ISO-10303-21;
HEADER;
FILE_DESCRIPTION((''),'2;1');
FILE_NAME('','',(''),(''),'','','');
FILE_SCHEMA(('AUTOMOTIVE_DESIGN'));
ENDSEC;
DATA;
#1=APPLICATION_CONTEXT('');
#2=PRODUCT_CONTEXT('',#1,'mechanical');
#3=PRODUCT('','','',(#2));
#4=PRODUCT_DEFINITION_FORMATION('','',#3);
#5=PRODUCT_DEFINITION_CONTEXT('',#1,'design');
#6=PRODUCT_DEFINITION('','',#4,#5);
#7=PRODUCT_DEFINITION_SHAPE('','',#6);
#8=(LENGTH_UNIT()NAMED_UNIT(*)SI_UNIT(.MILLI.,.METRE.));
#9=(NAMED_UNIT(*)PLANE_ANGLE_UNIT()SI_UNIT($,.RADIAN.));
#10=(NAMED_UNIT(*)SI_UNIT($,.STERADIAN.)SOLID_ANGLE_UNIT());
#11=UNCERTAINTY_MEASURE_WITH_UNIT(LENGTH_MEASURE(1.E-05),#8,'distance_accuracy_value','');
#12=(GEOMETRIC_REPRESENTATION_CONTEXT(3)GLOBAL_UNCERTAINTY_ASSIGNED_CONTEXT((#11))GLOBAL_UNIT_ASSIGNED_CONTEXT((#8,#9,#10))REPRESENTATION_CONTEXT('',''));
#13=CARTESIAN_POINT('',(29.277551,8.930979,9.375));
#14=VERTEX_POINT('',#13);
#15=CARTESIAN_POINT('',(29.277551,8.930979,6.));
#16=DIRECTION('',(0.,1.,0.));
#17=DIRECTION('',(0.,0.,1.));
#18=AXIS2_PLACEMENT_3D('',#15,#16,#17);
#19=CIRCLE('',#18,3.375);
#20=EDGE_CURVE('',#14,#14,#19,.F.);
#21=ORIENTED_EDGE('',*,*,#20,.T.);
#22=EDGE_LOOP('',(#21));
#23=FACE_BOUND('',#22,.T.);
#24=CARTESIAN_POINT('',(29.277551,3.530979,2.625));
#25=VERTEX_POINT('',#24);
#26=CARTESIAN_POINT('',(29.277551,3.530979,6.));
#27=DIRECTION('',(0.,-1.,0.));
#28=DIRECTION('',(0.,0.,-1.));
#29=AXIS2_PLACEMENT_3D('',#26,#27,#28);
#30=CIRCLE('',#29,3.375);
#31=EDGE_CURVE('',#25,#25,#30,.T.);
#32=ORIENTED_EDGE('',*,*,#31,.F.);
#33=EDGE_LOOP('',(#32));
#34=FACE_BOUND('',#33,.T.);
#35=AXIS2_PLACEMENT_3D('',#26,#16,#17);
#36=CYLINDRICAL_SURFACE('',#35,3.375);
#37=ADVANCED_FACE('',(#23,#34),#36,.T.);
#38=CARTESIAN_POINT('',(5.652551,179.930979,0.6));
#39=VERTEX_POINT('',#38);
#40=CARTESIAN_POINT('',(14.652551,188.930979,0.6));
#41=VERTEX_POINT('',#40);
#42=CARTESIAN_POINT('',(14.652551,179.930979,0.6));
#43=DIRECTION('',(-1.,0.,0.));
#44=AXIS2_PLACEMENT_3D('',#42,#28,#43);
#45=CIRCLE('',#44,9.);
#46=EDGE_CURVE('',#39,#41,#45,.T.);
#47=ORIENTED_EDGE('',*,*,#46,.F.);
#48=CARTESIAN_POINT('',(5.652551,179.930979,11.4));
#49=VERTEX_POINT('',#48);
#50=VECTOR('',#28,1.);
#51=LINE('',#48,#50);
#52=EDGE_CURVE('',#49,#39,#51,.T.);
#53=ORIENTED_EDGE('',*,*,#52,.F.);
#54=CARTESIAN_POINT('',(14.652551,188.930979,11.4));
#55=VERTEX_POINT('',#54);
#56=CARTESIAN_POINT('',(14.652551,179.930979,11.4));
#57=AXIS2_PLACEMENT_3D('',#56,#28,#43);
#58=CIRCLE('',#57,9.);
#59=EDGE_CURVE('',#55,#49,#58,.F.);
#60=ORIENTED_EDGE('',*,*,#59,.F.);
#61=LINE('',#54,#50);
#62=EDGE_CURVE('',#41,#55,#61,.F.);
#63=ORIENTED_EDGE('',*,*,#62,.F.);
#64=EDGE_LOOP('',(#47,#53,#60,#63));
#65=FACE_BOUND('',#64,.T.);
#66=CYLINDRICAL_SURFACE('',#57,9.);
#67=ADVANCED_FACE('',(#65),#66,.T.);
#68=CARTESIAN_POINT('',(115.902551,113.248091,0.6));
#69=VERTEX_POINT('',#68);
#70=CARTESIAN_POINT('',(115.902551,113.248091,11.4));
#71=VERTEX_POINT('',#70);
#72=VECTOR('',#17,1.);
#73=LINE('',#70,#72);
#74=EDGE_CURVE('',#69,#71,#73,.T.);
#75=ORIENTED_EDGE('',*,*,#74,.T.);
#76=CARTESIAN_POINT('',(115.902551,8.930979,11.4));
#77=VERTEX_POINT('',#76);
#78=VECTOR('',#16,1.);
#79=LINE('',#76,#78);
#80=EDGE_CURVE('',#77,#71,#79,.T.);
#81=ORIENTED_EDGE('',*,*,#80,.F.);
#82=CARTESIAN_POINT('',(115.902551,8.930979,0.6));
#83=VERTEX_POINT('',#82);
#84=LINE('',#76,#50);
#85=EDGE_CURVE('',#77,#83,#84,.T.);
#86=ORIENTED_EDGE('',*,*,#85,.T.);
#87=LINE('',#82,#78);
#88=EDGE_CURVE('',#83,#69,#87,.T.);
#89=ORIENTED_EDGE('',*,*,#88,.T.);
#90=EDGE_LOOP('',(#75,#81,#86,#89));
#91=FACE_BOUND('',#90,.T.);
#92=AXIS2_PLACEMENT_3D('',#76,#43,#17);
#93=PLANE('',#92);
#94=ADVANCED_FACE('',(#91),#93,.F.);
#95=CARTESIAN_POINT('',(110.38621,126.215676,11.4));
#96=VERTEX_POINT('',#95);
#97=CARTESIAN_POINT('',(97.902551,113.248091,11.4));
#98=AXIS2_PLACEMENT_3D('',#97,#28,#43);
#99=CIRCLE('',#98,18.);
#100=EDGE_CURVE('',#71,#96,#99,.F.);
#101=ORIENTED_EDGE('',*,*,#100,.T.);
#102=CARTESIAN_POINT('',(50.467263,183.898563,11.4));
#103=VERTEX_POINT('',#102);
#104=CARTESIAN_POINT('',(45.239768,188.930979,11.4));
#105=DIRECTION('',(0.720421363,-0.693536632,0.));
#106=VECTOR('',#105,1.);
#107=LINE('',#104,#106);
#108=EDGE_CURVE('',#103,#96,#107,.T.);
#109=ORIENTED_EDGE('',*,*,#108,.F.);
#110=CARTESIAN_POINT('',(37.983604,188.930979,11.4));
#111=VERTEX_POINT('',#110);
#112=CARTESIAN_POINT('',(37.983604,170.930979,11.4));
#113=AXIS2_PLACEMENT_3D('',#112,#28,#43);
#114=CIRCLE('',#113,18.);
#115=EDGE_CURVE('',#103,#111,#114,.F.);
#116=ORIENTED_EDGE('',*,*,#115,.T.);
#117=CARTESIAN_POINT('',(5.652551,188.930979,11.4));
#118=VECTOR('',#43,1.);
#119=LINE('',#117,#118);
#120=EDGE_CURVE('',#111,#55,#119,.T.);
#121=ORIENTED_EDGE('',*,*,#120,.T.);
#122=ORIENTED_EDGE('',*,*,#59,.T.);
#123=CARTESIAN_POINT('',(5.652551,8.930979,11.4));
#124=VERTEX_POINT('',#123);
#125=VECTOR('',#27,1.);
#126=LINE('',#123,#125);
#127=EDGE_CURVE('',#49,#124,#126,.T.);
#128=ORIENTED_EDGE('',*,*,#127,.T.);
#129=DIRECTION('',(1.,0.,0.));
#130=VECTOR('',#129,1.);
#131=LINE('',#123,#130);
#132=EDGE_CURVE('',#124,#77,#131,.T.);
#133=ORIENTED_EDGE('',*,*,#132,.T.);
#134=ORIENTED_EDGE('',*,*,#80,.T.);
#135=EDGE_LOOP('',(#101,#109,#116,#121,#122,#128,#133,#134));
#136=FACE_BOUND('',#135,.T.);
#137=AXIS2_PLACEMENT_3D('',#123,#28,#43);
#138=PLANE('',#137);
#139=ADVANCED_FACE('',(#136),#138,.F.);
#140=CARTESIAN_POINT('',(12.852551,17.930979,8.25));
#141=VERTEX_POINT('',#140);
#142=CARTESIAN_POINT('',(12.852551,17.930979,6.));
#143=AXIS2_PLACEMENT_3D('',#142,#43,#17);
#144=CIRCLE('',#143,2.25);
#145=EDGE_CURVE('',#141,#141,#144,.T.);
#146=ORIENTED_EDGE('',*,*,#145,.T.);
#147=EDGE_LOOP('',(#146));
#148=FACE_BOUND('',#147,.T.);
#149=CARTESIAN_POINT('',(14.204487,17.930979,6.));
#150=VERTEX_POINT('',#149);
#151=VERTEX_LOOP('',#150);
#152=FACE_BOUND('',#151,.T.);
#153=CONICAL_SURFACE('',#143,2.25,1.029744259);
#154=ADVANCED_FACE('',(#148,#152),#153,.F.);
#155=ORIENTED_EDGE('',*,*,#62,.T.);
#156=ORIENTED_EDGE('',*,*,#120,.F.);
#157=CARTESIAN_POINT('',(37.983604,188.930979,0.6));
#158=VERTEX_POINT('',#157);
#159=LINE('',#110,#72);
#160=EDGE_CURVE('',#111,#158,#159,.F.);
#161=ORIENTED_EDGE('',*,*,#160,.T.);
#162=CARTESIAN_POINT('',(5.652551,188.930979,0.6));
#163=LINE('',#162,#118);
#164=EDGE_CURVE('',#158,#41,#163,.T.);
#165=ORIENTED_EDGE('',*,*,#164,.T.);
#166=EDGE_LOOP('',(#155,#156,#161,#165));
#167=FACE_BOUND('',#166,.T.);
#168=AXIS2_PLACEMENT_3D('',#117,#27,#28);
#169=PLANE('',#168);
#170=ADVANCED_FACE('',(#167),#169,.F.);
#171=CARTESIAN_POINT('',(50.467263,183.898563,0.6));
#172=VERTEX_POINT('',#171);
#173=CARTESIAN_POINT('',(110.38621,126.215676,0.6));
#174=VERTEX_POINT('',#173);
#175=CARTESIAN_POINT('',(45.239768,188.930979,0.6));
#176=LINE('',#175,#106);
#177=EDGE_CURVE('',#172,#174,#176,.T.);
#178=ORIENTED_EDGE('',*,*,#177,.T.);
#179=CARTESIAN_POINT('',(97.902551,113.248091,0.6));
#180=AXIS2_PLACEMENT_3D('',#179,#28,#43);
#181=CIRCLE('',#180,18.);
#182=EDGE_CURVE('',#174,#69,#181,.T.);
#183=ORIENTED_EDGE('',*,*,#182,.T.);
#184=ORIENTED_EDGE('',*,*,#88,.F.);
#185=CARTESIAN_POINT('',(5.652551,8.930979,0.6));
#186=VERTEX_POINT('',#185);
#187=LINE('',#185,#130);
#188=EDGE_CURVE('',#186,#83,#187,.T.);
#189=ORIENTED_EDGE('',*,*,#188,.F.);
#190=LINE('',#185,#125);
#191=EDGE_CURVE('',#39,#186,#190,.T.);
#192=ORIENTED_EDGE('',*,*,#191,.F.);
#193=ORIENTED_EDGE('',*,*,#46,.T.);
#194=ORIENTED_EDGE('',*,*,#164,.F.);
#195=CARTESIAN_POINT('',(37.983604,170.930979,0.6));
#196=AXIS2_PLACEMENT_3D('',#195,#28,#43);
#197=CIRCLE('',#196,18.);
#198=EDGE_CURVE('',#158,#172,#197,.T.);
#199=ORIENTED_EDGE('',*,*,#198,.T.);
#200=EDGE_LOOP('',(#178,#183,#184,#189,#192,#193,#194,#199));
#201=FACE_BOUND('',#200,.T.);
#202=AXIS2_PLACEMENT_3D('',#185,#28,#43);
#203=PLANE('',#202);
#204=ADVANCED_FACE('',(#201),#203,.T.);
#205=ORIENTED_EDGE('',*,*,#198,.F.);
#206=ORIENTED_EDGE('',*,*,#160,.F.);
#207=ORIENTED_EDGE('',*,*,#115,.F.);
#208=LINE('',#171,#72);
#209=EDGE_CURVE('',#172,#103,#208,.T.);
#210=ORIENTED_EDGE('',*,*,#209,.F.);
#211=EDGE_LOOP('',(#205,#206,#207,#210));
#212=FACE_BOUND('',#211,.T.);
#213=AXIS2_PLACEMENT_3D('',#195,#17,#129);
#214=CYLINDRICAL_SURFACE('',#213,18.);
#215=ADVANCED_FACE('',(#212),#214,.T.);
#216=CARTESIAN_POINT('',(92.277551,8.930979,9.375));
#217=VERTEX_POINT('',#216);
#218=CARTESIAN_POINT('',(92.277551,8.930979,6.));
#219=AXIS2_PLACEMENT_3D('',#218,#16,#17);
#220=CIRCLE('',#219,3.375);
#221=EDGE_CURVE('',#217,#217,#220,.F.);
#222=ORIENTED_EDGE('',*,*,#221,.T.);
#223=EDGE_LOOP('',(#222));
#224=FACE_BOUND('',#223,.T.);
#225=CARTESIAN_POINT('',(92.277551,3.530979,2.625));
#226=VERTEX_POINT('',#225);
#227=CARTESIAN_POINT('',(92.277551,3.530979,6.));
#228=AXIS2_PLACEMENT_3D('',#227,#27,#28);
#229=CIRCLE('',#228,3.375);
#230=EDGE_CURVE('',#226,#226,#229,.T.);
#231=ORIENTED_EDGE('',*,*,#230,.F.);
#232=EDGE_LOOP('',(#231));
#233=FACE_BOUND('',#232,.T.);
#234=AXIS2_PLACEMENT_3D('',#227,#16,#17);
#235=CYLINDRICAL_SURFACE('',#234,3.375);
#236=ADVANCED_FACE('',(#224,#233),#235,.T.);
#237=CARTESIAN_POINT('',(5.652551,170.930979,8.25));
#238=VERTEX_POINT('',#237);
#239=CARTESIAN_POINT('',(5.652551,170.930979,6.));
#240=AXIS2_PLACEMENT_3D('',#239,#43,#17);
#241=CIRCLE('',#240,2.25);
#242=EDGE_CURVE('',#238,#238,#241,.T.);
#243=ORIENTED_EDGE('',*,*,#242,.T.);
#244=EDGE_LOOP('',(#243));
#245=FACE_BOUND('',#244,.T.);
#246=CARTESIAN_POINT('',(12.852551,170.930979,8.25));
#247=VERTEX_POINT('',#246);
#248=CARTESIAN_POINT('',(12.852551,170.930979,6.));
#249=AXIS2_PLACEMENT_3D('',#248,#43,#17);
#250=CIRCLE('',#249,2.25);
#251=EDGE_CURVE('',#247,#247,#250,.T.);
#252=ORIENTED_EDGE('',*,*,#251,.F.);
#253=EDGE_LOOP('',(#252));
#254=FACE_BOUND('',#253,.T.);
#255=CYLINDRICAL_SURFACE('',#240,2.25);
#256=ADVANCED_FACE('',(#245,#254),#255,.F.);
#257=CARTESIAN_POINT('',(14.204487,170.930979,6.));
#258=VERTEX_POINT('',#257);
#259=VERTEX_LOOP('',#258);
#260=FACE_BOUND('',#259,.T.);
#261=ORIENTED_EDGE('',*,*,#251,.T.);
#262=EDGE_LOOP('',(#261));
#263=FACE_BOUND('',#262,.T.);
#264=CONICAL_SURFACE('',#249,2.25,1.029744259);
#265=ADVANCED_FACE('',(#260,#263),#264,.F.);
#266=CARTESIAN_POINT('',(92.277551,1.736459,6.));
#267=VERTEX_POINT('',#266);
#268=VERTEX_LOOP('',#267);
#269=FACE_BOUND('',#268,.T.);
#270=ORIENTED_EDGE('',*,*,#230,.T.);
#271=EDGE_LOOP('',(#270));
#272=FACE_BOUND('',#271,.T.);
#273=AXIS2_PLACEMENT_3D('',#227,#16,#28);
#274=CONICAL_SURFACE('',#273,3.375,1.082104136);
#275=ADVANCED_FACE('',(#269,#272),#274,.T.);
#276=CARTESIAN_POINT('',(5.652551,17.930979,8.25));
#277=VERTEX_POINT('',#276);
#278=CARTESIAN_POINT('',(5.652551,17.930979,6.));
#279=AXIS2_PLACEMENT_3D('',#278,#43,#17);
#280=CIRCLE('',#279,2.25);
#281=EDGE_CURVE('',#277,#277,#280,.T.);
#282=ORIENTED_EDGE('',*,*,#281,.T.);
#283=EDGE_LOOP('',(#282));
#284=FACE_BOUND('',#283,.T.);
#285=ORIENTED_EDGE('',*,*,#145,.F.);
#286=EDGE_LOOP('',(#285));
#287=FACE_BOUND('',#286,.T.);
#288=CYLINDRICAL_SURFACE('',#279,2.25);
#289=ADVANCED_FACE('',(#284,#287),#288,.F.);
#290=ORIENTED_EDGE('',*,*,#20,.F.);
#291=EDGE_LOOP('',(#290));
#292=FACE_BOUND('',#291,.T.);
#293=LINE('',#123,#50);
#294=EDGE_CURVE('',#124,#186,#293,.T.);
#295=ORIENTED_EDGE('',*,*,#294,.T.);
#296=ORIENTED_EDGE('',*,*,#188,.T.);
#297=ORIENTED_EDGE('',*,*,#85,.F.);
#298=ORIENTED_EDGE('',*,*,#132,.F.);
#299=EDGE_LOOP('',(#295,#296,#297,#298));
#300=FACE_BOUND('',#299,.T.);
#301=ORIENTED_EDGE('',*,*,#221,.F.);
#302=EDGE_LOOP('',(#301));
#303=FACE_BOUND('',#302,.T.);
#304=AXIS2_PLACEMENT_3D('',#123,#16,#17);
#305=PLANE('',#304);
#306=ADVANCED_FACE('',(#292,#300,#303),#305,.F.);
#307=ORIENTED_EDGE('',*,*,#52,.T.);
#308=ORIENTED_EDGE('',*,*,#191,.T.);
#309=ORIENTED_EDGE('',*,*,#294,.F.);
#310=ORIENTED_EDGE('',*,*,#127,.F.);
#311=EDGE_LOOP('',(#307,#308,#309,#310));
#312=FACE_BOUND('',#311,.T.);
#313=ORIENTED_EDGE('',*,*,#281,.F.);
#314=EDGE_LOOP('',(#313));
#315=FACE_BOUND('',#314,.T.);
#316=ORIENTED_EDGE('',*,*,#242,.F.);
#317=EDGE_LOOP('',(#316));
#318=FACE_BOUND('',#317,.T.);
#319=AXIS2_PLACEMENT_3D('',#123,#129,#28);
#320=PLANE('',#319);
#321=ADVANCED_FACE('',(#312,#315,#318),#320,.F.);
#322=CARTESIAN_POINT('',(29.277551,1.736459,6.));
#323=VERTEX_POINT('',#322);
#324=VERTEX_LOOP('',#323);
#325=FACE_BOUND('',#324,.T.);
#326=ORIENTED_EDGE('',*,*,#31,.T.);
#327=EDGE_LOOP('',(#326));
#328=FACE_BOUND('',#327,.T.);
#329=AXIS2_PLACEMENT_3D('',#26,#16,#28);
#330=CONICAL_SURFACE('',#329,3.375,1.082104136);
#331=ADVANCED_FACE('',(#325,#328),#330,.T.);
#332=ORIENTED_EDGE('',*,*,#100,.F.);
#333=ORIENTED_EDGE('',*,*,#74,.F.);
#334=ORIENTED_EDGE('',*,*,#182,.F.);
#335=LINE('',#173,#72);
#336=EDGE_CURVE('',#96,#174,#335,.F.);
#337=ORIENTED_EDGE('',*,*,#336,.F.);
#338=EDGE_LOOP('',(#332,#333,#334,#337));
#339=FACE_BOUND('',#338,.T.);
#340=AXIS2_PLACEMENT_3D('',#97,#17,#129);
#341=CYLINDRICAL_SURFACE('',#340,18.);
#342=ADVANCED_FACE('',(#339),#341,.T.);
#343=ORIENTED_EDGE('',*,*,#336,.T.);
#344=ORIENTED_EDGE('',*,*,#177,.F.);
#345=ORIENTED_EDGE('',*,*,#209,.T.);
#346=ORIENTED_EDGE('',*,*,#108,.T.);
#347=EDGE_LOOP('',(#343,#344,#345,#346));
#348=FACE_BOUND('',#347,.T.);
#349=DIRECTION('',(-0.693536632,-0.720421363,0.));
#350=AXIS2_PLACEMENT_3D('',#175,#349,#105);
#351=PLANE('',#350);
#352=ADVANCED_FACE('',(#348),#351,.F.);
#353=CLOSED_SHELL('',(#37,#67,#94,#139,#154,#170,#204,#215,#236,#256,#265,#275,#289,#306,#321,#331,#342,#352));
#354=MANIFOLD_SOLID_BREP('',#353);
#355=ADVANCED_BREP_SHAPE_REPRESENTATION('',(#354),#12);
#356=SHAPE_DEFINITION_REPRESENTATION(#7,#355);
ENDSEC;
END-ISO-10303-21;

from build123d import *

# Parameters (mm, degrees)
SKETCH4_W                    = 122.5
SKETCH4_H                    = 200
BOSS_EXTRUDE1_DEPTH          = 12
CUT_EXTRUDE1_DEPTH           = 12
FILLET1_R                    = 20
FILLET2_R                    = 20
FILLET3_R                    = 10
SKETCH10_R                   = 3.75
BOSS_EXTRUDE3_DEPTH          = 6
F_5_0_5_DIAMETER_HOLE1_D     = 5
F_5_0_5_DIAMETER_HOLE1_DEPTH = 8
F_5_0_5_DIAMETER_HOLE1_TIP   = 1.502151548
F_5_0_5_DIAMETER_HOLE2_D     = 5
F_5_0_5_DIAMETER_HOLE2_DEPTH = 8
F_5_0_5_DIAMETER_HOLE2_TIP   = 1.502151548
SCALE1_SCALE                 = 0.9


with BuildPart() as part:
    # Sketch4 → Boss-Extrude1 (new body)
    with BuildSketch(Plane.XY):
        with Locations((61.25, 100)):
            Rectangle(SKETCH4_W, SKETCH4_H)
    extrude(amount=BOSS_EXTRUDE1_DEPTH)

    # Sketch7 → Cut-Extrude1 (cut)
    with BuildSketch(Plane.XY.offset(12)):
        Polygon((43.985796602, 200), (122.5, 124.415794753), (122.5, 200), align=None)
    extrude(amount=-CUT_EXTRUDE1_DEPTH, mode=Mode.SUBTRACT)

    # Fillet1
    fillet1_edges = [part.edges().sort_by_distance(p)[0] for p in [
        (43.985796602, 200, 6),
    ]]
    fillet(fillet1_edges, radius=FILLET1_R)

    # Fillet2
    fillet2_edges = [part.edges().sort_by_distance(p)[0] for p in [
        (122.5, 124.415794753, 6),
    ]]
    fillet(fillet2_edges, radius=FILLET2_R)

    # Fillet3
    fillet3_edges = [part.edges().sort_by_distance(p)[0] for p in [
        (0, 200, 6),
    ]]
    fillet(fillet3_edges, radius=FILLET3_R)

    # Sketch10 → Boss-Extrude3 (add)
    with BuildSketch(Plane.XZ):
        with Locations(Location((26.25, 6, 0), (0, 0, 90))):
            Circle(SKETCH10_R)
        with Locations(Location((96.25, 6, 0), (0, 0, 90))):
            Circle(SKETCH10_R)
    extrude(amount=BOSS_EXTRUDE3_DEPTH)

    # Boss-Extrude4 cone 1 section (through the dimple's axis) → Boss-Extrude4 (revolve)
    with BuildSketch(Plane(origin=(26.25, -6, 6), x_dir=(0, 0, 1), z_dir=(1, 0, 0))):
        Polygon((0, 0), (3.75, 0), (0, 1.993910369), align=None)
    revolve(axis=Axis((26.25, -6, 6), (0, -1, 0)))

    # Boss-Extrude4 cone 2 section (through the dimple's axis) → Boss-Extrude4 cone 2 (revolve)
    with BuildSketch(Plane(origin=(96.25, -6, 6), x_dir=(0, 0, 1), z_dir=(1, 0, 0))):
        Polygon((0, 0), (3.75, 0), (0, 1.993910369), align=None)
    revolve(axis=Axis((96.25, -6, 6), (0, -1, 0)))

    # Ø5.0 (5) Diameter Hole1
    with Locations(Plane.ZY):
        with Locations((6, 180)):
            Hole(F_5_0_5_DIAMETER_HOLE1_D / 2, depth=F_5_0_5_DIAMETER_HOLE1_DEPTH)
            with Locations((0, 0, -(F_5_0_5_DIAMETER_HOLE1_DEPTH + F_5_0_5_DIAMETER_HOLE1_TIP / 2))):  # 118° drill point
                Cone(0, F_5_0_5_DIAMETER_HOLE1_D / 2, F_5_0_5_DIAMETER_HOLE1_TIP, mode=Mode.SUBTRACT)

    # Ø5.0 (5) Diameter Hole2
    with Locations(Plane.ZY):
        with Locations((6, 10)):
            Hole(F_5_0_5_DIAMETER_HOLE2_D / 2, depth=F_5_0_5_DIAMETER_HOLE2_DEPTH)
            with Locations((0, 0, -(F_5_0_5_DIAMETER_HOLE2_DEPTH + F_5_0_5_DIAMETER_HOLE2_TIP / 2))):  # 118° drill point
                Cone(0, F_5_0_5_DIAMETER_HOLE2_D / 2, F_5_0_5_DIAMETER_HOLE2_TIP, mode=Mode.SUBTRACT)


with BuildPart() as part_1:
    # Scale1: scaled about (56.525506998, 89.309787592, 6)
    add(part.part.scale(SCALE1_SCALE).moved(Location((5.6525507, 8.930978759, 0.6))))


solid = part_1.part
